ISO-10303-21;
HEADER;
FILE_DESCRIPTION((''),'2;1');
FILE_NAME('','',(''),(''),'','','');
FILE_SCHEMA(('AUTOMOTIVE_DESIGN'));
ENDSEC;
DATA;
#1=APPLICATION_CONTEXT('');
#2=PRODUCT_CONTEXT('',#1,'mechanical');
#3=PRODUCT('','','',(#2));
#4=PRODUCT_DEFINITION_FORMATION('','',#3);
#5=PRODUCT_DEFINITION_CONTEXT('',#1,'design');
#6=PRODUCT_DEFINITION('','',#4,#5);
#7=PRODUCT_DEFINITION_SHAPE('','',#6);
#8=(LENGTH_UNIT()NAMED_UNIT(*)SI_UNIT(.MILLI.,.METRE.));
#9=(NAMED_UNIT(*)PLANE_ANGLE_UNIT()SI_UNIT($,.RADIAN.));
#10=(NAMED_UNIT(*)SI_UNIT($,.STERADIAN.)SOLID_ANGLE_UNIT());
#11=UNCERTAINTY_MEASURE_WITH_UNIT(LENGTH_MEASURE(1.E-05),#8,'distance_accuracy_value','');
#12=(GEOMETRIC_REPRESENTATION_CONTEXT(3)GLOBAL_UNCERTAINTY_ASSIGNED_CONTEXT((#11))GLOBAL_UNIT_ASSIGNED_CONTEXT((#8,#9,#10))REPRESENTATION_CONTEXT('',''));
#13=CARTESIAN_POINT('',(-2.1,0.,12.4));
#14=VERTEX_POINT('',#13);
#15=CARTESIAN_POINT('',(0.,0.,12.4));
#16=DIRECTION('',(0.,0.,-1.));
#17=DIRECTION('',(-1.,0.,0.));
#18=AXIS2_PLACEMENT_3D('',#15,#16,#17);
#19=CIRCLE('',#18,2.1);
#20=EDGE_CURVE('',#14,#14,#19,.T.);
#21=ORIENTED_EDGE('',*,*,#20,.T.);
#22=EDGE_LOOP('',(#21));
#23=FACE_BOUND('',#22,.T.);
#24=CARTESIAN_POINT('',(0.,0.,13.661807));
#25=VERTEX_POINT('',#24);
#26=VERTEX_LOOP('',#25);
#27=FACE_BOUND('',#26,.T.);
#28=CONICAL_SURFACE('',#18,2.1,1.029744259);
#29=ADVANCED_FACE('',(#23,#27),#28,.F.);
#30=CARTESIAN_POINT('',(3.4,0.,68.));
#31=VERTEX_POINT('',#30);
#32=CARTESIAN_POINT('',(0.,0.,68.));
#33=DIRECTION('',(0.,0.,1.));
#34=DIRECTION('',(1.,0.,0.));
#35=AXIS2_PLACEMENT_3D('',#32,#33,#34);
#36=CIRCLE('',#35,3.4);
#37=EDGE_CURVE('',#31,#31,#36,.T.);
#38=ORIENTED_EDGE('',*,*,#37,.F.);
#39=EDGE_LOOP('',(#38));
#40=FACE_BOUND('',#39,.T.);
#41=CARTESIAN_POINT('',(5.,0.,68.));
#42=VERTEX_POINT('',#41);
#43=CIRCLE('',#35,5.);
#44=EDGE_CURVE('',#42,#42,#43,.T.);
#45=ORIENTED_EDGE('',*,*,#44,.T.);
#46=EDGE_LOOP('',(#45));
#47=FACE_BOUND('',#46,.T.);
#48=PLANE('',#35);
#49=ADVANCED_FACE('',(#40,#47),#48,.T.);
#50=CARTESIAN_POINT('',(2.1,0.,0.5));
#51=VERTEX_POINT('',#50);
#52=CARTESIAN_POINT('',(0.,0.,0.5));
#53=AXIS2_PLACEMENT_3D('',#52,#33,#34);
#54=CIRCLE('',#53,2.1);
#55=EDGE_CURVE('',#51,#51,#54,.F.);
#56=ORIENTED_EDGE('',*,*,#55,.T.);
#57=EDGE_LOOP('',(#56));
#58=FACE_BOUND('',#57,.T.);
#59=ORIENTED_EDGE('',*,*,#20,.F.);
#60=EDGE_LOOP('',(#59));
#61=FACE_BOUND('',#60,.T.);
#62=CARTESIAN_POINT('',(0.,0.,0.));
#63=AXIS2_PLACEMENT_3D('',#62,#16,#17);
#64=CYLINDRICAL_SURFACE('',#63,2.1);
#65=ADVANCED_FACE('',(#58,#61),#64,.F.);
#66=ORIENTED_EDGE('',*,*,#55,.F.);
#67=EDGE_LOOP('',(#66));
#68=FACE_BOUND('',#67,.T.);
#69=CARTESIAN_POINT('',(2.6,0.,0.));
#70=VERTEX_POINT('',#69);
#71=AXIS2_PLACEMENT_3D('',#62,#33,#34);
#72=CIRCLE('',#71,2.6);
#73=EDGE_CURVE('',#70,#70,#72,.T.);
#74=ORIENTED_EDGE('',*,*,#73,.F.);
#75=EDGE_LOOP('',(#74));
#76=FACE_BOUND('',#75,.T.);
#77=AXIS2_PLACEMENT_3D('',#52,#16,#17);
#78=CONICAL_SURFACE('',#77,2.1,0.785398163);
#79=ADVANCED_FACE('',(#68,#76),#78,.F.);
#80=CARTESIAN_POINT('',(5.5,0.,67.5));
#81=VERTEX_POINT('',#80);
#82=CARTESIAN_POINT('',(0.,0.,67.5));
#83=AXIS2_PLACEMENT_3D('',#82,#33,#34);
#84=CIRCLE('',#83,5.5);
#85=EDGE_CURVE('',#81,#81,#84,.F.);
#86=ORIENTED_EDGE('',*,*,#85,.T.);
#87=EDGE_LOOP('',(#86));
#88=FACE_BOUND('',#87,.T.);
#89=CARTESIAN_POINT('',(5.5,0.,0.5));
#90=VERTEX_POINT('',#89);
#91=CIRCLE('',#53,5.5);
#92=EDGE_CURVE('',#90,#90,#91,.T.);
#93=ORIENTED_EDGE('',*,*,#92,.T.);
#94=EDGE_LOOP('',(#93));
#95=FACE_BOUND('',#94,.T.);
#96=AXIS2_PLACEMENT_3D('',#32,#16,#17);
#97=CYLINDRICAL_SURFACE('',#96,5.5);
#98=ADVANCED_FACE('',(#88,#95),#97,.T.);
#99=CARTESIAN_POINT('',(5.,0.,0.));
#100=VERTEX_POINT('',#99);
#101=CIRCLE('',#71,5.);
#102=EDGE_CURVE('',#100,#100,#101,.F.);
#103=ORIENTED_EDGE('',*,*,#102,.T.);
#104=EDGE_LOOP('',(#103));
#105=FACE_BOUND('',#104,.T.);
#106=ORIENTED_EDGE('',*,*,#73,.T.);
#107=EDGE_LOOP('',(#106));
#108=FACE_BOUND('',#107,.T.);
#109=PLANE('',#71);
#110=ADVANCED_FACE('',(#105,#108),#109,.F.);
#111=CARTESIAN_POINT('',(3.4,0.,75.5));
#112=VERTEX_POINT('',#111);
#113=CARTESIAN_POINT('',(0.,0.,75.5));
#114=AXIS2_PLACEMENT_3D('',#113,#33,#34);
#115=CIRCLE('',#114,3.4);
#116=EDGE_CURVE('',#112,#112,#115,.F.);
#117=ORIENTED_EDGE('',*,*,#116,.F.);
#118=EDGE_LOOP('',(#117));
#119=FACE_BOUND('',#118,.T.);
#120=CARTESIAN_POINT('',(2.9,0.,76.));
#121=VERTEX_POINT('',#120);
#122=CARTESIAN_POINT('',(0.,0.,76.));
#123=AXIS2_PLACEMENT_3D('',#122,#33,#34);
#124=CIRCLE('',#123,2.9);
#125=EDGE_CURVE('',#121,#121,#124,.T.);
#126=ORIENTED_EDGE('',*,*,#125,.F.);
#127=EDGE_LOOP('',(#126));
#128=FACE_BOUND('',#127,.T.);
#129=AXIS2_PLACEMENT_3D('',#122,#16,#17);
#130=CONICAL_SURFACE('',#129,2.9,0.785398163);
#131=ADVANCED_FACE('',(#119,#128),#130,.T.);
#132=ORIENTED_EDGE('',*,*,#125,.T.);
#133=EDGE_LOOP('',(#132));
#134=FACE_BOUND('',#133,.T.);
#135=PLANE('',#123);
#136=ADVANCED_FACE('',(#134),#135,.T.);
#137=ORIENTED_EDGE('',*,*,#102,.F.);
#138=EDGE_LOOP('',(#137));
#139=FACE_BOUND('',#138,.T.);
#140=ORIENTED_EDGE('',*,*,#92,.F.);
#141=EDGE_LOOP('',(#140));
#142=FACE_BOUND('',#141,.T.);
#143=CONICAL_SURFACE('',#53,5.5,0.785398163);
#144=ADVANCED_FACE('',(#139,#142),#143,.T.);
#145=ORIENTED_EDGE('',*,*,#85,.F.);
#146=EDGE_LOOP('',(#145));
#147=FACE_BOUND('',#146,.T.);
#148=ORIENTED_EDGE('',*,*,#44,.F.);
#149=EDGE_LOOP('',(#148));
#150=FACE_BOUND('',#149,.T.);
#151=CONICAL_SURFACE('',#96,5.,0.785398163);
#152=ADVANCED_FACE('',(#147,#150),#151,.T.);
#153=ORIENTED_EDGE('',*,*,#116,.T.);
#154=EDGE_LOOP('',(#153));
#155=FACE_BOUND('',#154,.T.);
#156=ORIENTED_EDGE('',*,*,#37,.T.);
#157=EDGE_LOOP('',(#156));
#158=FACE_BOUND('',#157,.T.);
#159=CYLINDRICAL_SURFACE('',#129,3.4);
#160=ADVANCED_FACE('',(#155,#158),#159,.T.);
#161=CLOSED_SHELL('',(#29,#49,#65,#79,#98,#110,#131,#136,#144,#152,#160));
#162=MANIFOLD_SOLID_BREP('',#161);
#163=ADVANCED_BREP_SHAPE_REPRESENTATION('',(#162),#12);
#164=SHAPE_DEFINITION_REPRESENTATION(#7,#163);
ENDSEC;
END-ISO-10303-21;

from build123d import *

# Parameters (mm, degrees)
SKETCH_1_R             = 5.5
EXTRUDE_1_DEPTH        = 68
CHAMFER_1_SIZE         = 0.5
SKETCH_2_R             = 3.4
EXTRUDE_2_DEPTH        = 8
CHAMFER_2_SIZE         = 0.5
HOLE_WIZARD_M5_1_D     = 4.2
HOLE_WIZARD_M5_1_DEPTH = 12.4
HOLE_WIZARD_M5_1_TIP   = 1.2618073
CHAMFER_3_SIZE         = 0.5


with BuildPart() as part:
    # 草图1 → 拉伸1 (new body)
    with BuildSketch(Plane.XY):
        Circle(SKETCH_1_R)
    extrude(amount=EXTRUDE_1_DEPTH)

    # 倒角1
    chamfer_1_edges = [part.edges().sort_by_distance(p)[0] for p in [
        (-5.5, 0, 0),
        (-5.5, 0, 68),
    ]]
    chamfer(chamfer_1_edges, length=CHAMFER_1_SIZE)

    # 草图2 → 拉伸2 (add)
    with BuildSketch(Plane.XY.offset(68)):
        Circle(SKETCH_2_R)
    extrude(amount=EXTRUDE_2_DEPTH)

    # 倒角2
    chamfer_2_edges = [part.edges().sort_by_distance(p)[0] for p in [
        (-3.4, 0, 76),
    ]]
    chamfer(chamfer_2_edges, length=CHAMFER_2_SIZE)

    # M5 螺纹孔1
    with Locations(Plane(origin=(0, 0, 0), x_dir=(-1, 0, 0), z_dir=(0, 0, -1))):
        with Locations((0, 0)):
            Hole(HOLE_WIZARD_M5_1_D / 2, depth=HOLE_WIZARD_M5_1_DEPTH)
            with Locations((0, 0, -(HOLE_WIZARD_M5_1_DEPTH + HOLE_WIZARD_M5_1_TIP / 2))):  # 118° drill point
                Cone(0, HOLE_WIZARD_M5_1_D / 2, HOLE_WIZARD_M5_1_TIP, mode=Mode.SUBTRACT)

    # 倒角3
    chamfer_3_edges = [part.edges().sort_by_distance(p)[0] for p in [
        (-2.1, 0, 0),
    ]]
    chamfer(chamfer_3_edges, length=CHAMFER_3_SIZE)


solid = part.part
